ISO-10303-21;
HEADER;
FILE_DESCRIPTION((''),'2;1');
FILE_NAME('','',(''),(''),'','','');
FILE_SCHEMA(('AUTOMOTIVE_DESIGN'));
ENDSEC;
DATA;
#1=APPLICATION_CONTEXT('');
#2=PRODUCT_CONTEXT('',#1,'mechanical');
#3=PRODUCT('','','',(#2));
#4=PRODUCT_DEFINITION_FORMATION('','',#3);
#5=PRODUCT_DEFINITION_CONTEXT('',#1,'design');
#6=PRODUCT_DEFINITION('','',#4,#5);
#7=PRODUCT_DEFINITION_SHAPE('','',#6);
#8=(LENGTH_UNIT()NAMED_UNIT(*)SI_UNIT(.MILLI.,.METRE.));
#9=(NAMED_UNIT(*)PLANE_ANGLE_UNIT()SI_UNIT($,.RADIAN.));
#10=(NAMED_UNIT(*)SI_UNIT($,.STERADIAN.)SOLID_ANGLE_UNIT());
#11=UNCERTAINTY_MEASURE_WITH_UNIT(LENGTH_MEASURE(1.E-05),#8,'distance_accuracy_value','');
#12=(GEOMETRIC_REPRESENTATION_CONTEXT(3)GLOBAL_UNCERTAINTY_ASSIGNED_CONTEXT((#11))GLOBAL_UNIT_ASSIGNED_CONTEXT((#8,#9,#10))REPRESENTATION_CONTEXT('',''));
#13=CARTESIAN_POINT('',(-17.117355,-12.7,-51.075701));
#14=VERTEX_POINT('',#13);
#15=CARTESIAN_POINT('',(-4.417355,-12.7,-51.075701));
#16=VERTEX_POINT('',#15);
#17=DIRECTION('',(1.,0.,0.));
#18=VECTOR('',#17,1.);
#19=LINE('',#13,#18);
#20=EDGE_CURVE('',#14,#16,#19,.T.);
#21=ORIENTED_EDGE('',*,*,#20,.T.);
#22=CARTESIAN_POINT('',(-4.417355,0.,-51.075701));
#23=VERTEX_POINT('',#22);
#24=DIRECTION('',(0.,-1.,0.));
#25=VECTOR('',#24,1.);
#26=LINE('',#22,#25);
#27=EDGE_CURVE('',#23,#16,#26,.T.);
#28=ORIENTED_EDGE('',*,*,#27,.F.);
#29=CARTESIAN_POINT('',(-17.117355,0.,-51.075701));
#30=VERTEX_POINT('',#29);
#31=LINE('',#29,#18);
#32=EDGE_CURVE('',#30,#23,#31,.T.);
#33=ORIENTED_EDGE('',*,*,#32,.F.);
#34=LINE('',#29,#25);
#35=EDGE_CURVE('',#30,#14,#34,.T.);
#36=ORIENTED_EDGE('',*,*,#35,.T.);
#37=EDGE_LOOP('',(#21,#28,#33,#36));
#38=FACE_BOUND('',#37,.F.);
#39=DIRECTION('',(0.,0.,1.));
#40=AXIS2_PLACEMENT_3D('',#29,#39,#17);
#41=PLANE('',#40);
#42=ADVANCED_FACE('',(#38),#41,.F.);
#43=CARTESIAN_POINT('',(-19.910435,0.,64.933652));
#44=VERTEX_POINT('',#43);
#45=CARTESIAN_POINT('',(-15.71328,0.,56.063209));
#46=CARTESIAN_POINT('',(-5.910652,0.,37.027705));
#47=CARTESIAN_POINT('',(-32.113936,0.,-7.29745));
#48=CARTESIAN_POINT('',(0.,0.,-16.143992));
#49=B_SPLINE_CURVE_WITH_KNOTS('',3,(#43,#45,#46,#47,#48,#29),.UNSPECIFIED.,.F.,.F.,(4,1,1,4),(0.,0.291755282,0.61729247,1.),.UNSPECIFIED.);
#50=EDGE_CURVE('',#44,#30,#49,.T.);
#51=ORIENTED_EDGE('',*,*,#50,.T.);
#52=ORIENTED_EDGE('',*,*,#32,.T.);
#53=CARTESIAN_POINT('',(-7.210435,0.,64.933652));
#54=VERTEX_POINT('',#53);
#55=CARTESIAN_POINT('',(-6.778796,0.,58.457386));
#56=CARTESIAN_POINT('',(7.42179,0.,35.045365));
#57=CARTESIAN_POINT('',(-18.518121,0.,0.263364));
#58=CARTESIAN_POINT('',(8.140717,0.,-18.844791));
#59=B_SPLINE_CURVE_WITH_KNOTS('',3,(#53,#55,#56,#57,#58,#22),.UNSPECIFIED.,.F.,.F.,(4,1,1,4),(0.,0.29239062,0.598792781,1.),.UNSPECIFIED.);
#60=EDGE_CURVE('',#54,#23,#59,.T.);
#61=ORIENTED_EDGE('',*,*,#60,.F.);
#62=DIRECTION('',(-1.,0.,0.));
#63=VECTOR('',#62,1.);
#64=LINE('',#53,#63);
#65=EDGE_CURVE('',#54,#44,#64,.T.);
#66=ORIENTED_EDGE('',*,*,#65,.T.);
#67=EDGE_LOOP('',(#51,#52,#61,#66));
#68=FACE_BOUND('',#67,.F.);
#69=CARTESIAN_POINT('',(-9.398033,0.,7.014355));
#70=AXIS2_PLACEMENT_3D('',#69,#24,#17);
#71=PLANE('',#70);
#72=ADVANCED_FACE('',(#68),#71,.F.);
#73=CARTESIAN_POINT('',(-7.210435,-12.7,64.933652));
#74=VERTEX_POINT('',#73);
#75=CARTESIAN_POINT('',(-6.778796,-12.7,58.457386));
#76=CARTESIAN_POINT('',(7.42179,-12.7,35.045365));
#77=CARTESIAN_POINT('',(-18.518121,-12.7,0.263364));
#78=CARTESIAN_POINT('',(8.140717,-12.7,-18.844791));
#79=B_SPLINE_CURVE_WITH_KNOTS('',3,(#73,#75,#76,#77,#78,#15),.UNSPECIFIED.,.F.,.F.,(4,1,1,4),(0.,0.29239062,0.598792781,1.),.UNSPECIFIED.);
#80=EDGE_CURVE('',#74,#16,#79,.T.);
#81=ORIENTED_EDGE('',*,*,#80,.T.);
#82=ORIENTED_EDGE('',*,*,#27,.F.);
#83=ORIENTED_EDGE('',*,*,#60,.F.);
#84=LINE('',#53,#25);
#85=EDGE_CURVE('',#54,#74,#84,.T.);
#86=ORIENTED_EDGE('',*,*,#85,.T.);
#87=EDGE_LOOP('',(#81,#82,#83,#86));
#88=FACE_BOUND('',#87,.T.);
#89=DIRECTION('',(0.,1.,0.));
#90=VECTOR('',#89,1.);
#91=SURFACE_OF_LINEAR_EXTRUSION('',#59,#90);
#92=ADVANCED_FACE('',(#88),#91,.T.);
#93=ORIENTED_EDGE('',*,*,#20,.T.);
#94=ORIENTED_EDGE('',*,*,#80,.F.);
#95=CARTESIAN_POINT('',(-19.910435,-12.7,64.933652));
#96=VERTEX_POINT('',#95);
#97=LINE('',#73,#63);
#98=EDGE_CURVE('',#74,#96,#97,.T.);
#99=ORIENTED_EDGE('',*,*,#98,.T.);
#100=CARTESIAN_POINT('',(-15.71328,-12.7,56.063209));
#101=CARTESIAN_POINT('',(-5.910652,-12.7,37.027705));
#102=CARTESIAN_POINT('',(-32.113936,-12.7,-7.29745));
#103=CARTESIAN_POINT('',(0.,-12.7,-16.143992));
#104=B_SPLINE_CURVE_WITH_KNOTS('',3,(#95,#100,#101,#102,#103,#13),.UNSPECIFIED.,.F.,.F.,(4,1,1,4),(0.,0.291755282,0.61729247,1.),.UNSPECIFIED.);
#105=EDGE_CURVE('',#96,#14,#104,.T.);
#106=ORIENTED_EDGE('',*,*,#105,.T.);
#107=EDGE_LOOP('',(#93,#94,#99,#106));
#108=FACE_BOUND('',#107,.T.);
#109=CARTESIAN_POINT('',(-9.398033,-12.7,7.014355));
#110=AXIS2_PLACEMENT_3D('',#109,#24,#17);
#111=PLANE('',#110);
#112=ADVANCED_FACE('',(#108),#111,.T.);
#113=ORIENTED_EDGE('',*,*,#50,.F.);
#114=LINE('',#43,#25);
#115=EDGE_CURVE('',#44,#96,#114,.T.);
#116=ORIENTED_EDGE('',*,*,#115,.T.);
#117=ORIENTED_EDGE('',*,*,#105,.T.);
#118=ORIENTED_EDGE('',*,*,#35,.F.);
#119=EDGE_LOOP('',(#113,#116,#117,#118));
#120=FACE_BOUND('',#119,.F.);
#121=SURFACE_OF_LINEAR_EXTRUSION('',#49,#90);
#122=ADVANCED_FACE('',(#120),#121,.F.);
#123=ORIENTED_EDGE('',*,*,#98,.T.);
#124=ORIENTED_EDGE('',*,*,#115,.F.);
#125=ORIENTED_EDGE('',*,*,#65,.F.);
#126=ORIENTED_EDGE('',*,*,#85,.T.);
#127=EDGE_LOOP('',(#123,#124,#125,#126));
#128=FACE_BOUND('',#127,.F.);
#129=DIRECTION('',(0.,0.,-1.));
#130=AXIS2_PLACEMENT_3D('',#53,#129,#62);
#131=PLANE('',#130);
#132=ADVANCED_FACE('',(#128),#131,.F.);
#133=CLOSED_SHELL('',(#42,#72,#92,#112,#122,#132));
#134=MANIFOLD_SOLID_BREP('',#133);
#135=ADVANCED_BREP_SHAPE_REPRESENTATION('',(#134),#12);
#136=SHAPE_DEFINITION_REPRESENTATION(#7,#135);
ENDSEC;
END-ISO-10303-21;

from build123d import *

# Parameters (mm, degrees)
F1_DEPTH = 12.7


with BuildPart() as f1:
    # F0 (on Front) → F1 (new body)
    with BuildSketch(Plane.XZ):
        with BuildLine():
            Line((-7.2104354505, 64.9336519148), (-19.9104354505, 64.9336519148))
            add(Edge.make_bspline(
                [(-19.9104354505, 64.9336519148), (-15.7132802628, 56.0632085429), (-5.9106524658, 37.0277046584), (-32.1139356626, -7.2974502585), (0, -16.1439919446), (-17.1173548772, -51.0757011357)],
                knots=[0, 0, 0, 0, 0.291755282, 0.6172924702, 1, 1, 1, 1], degree=3))
            Line((-17.1173548772, -51.0757011357), (-4.4173548772, -51.0757011357))
            add(Edge.make_bspline(
                [(-7.2104354505, 64.9336519148), (-6.7787963031, 58.4573862172), (7.4217896907, 35.0453648895), (-18.5181210996, 0.2633635943), (8.1407165943, -18.844790566), (-4.4173548772, -51.0757011357)],
                knots=[0, 0, 0, 0, 0.2923906198, 0.5987927811, 1, 1, 1, 1], degree=3))
        make_face()
    extrude(amount=F1_DEPTH)


solid = f1.part
